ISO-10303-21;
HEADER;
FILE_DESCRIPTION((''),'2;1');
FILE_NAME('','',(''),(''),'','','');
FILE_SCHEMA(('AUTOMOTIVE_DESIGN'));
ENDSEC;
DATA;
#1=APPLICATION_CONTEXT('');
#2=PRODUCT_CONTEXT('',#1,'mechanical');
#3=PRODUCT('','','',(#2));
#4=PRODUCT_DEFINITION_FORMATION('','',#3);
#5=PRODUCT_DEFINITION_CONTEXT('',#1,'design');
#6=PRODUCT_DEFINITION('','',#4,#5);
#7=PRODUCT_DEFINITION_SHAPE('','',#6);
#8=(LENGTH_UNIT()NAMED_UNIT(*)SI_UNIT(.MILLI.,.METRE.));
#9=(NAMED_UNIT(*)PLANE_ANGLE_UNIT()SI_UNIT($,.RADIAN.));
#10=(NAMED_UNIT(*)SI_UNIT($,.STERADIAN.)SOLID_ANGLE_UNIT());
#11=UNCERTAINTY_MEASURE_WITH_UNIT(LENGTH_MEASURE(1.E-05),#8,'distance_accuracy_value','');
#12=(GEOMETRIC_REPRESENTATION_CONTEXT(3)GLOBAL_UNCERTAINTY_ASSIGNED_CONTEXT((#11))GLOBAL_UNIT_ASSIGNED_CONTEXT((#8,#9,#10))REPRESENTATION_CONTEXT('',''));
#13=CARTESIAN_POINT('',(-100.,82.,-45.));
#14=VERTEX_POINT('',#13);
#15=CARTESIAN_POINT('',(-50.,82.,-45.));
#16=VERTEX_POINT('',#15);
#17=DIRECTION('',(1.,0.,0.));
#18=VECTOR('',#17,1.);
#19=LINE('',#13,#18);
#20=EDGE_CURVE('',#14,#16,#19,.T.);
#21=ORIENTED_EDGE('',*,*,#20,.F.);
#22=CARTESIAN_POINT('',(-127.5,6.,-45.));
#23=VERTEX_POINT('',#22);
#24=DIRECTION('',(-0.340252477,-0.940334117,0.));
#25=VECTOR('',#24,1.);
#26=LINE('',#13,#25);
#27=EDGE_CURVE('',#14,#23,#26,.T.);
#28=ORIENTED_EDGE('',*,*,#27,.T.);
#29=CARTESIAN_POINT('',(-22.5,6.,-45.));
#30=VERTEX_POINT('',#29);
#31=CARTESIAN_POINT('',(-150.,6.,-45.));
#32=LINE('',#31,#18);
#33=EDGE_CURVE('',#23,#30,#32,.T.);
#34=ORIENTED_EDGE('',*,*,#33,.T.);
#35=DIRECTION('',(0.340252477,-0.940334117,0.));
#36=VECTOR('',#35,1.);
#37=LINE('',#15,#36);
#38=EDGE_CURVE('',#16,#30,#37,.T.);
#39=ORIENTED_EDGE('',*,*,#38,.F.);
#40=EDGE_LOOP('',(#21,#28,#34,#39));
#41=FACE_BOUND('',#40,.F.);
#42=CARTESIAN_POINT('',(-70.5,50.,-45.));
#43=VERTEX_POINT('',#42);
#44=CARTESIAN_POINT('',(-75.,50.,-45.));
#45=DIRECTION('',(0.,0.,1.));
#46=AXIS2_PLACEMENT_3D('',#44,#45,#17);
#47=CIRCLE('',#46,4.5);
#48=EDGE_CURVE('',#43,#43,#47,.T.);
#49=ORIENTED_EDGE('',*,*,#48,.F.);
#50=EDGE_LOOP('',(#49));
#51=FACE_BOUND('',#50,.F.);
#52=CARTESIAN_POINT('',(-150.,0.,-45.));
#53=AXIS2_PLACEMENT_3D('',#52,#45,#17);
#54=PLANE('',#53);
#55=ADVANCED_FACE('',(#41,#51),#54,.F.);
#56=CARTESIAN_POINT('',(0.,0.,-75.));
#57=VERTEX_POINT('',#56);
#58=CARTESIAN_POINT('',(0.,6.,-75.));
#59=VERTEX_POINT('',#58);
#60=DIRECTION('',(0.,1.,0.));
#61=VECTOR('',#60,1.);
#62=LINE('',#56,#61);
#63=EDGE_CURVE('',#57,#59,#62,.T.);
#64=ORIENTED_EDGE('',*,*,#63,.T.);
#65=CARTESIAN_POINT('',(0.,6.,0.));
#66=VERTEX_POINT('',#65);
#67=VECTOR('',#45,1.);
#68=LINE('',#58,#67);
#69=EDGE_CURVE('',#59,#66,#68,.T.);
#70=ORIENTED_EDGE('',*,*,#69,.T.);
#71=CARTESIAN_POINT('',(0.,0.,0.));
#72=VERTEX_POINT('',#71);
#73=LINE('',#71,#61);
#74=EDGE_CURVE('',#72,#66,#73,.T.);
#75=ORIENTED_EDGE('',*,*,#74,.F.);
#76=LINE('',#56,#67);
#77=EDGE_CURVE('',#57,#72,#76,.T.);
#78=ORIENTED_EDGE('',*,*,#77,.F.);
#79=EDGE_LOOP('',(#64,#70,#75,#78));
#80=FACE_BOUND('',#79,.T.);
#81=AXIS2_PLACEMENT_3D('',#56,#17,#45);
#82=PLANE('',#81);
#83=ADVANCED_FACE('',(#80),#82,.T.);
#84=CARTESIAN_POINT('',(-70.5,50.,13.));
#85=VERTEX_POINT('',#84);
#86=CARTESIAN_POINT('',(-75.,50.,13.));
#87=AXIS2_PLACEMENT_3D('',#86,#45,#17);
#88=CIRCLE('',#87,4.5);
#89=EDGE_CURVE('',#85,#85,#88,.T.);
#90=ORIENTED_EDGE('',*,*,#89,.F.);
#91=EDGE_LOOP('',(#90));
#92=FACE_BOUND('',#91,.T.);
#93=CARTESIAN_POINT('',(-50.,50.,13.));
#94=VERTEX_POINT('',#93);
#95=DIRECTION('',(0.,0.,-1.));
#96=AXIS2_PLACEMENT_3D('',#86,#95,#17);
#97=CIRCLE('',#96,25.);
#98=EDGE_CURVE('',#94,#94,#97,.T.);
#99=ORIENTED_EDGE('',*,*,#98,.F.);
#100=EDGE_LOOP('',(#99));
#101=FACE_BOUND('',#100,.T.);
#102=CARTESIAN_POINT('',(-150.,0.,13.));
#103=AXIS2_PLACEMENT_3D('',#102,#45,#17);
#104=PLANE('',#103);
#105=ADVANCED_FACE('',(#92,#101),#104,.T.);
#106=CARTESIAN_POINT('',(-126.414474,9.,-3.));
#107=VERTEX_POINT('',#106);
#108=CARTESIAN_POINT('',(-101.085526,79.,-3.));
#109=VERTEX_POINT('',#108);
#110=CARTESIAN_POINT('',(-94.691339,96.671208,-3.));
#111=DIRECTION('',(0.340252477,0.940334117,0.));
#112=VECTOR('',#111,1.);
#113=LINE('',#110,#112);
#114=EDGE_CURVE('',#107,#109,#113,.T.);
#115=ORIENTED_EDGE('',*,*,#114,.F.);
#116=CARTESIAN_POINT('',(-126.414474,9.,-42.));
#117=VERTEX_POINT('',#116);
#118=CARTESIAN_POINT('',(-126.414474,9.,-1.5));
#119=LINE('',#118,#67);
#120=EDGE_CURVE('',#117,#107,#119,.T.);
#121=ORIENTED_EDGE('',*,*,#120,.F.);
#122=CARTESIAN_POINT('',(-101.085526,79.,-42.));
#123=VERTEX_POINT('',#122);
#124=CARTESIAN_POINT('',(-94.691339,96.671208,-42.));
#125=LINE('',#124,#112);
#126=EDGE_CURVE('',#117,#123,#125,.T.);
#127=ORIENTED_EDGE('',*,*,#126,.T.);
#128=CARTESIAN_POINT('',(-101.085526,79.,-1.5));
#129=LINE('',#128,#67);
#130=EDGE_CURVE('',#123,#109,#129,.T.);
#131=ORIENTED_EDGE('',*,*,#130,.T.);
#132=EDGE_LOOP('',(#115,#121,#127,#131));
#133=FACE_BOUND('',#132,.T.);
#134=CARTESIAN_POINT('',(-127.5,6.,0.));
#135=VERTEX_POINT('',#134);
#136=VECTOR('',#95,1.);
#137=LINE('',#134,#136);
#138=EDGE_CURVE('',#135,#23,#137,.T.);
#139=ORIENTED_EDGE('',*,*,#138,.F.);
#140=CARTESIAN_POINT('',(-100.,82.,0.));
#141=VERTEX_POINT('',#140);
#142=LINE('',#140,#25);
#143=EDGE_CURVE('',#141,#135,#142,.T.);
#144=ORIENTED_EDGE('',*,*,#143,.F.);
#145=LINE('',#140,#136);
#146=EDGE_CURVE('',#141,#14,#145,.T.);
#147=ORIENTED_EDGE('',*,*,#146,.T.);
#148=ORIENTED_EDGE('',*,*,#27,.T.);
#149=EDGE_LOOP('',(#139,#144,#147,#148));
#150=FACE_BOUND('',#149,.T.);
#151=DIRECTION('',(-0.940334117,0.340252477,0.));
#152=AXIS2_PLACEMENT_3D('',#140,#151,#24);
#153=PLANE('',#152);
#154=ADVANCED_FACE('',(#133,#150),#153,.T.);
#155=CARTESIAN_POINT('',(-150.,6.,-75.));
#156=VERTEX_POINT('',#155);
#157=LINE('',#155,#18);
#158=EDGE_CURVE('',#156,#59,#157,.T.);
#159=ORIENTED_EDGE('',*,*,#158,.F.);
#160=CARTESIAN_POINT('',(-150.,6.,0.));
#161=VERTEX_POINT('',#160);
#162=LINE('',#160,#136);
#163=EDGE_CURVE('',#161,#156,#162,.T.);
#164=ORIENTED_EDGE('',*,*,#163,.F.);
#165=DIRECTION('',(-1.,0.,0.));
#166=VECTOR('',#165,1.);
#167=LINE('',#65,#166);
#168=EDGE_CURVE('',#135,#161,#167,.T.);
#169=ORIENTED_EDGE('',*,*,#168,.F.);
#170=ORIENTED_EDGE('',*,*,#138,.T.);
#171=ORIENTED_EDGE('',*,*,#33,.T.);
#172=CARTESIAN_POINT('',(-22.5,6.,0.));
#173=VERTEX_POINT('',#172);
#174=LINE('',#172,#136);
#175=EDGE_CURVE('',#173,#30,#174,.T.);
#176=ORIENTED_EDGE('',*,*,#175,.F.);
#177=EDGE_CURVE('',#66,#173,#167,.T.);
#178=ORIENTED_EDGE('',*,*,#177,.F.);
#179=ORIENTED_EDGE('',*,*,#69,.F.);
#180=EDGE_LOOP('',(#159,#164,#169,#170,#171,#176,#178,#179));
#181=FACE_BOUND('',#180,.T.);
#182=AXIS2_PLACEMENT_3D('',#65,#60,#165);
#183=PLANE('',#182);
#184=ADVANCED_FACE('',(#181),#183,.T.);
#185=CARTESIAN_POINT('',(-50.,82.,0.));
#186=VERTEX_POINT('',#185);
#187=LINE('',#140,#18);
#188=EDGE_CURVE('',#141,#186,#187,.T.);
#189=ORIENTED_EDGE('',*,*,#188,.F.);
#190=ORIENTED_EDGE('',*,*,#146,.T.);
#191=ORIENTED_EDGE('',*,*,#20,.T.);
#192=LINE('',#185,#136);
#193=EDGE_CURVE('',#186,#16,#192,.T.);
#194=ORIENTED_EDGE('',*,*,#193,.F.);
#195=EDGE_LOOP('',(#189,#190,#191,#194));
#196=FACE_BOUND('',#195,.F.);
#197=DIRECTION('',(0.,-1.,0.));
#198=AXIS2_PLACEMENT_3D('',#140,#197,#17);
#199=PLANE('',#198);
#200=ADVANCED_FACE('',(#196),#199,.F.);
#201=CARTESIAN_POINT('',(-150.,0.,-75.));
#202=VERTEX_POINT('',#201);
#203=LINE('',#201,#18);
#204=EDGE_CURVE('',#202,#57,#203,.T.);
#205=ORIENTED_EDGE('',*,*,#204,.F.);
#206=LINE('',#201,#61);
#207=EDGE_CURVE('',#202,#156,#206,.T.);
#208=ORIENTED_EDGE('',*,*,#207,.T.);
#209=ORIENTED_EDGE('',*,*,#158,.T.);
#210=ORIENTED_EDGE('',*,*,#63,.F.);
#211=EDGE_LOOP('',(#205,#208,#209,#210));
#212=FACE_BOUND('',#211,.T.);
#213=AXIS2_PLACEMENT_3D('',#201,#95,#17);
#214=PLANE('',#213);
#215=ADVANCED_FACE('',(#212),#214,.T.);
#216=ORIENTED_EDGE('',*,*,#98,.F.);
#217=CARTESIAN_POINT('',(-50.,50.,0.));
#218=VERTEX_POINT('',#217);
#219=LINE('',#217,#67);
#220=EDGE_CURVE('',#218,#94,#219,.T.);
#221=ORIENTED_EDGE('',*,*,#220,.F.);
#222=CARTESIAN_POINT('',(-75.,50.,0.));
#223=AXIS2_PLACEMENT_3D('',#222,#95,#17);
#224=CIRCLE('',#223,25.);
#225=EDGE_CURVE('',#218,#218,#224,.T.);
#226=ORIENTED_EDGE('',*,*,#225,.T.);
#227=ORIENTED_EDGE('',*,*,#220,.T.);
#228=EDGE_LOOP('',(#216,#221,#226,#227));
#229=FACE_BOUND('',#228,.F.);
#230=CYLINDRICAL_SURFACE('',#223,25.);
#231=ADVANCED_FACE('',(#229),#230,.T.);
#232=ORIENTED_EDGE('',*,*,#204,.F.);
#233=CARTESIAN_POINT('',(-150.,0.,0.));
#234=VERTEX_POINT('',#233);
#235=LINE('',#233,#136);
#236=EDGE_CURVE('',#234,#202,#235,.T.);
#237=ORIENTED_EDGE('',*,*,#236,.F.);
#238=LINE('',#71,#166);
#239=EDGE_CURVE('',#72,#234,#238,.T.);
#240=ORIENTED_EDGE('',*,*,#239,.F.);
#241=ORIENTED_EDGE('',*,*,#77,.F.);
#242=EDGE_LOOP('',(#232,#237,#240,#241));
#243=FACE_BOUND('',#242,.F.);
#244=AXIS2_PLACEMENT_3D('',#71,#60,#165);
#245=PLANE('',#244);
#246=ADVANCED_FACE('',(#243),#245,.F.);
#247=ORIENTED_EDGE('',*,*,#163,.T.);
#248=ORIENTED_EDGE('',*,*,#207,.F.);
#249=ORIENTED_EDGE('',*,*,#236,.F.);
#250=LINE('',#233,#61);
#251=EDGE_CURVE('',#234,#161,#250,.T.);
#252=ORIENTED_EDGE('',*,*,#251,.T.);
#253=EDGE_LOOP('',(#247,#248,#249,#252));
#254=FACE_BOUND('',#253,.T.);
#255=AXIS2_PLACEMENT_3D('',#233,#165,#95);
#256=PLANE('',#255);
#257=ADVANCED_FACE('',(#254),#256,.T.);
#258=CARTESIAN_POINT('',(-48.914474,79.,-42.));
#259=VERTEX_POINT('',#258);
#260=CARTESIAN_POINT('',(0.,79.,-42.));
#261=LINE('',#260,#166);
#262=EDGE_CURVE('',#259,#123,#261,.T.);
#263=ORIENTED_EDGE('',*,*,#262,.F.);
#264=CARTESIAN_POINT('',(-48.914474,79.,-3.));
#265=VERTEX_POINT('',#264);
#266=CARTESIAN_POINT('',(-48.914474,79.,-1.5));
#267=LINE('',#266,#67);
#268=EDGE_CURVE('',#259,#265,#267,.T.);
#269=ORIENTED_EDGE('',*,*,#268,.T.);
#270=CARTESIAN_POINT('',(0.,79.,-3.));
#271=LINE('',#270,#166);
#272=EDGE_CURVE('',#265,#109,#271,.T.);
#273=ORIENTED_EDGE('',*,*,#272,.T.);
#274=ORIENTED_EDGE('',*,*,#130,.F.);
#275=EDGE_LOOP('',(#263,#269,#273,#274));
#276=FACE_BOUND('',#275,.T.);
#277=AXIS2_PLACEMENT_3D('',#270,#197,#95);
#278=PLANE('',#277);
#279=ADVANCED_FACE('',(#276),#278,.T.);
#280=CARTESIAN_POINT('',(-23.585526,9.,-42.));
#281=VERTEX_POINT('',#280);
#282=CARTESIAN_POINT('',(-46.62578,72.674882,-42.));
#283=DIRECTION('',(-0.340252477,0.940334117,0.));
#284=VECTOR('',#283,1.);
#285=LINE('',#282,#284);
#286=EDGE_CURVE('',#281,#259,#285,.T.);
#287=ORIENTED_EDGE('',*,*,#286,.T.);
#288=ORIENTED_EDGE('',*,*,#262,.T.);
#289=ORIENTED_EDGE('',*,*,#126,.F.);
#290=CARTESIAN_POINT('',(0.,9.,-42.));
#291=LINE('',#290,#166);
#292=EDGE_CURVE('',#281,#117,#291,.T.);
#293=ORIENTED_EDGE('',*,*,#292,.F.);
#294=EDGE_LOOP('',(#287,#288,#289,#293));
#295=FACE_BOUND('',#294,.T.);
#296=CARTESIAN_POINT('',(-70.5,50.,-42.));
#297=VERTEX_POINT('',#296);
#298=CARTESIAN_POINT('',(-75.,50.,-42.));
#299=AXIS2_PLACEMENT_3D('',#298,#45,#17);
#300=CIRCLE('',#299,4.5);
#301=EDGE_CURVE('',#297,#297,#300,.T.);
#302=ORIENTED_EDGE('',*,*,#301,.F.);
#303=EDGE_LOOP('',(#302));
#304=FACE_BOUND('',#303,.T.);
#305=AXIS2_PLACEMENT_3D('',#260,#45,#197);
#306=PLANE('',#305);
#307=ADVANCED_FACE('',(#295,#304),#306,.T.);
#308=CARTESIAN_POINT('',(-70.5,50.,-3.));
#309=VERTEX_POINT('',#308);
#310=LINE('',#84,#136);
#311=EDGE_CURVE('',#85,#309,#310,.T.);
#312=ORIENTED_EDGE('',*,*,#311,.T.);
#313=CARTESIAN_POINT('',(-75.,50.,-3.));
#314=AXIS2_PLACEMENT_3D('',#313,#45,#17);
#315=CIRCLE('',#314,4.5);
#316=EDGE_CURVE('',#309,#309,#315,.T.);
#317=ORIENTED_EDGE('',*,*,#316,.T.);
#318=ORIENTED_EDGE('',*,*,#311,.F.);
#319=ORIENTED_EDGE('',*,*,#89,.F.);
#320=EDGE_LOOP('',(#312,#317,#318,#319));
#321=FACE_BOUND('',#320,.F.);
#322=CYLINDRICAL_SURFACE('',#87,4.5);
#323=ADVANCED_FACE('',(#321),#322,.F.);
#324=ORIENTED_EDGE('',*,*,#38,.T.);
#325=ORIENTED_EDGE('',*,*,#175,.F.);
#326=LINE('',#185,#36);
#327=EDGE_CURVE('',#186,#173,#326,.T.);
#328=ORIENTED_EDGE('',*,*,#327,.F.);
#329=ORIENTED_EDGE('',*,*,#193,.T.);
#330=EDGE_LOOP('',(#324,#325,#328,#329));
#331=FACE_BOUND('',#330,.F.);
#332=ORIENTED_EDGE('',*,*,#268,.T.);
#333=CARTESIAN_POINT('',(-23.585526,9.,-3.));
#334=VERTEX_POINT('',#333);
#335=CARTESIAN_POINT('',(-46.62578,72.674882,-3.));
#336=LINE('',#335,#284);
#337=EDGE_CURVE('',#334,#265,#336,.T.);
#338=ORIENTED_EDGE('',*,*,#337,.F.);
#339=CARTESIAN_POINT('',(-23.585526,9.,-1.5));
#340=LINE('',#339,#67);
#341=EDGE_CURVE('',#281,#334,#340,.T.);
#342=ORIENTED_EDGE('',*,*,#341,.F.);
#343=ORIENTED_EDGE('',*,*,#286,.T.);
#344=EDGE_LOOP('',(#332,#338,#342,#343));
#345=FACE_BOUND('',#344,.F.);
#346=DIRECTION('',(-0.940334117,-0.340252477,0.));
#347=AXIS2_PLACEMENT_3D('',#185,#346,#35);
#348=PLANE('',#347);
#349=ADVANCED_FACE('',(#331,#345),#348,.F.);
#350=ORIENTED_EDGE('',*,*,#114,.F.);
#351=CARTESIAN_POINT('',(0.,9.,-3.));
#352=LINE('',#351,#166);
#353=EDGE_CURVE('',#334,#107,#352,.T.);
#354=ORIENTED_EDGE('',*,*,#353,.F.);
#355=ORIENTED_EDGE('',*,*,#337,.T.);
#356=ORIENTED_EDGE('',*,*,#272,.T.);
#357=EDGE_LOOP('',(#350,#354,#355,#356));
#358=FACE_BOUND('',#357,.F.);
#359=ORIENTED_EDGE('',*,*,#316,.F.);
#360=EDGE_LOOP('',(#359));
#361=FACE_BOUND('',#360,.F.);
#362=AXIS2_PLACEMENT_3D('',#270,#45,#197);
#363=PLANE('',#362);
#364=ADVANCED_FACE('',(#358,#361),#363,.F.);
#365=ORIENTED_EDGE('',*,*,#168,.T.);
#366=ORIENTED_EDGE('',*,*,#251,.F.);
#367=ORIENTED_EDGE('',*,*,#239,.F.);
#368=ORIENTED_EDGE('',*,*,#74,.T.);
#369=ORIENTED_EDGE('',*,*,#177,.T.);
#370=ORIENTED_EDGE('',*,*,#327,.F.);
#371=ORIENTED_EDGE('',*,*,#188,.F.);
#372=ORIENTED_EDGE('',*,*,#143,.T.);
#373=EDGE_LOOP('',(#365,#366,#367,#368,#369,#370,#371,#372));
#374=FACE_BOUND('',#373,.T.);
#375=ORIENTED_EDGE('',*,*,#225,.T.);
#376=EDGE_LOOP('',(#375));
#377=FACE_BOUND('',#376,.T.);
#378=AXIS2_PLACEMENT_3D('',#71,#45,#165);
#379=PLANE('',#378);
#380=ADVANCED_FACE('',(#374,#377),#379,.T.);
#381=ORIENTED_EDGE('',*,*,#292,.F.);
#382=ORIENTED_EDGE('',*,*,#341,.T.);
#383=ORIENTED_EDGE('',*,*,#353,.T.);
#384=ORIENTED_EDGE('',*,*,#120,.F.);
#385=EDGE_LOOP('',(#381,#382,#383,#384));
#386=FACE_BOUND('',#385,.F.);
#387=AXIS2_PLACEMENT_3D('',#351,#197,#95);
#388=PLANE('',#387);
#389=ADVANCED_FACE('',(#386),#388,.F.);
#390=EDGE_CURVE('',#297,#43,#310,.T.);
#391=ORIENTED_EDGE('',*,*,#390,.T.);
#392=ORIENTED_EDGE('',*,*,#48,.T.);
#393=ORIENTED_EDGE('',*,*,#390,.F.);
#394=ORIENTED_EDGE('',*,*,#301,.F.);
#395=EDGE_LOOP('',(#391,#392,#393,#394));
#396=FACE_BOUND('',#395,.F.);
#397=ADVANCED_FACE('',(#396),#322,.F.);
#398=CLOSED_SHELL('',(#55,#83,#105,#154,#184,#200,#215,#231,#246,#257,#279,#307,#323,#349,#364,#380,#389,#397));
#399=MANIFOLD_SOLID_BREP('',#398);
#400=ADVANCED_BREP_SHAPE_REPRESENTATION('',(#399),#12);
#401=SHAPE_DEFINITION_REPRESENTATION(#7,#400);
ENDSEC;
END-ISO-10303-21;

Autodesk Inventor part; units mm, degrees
ref_plane "YZ Plane" through (0, 0, 0) normal (1, 0, 0) x (0, 1, 0)
ref_plane "XZ Plane" through (0, 0, 0) normal (0, 1, 0) x (-1, 0, 0)
ref_plane "XY Plane" through (0, 0, 0) normal (0, 0, 1) x (1, 0, 0)
sketch "Sketch1" plane through (0, 0, 0) normal (0, 1, 0) x (-1, 0, 0)
  line L0 (0, 0) -> (150, 0)
  line L1 (150, 0) -> (150, -75)
  line L2 (150, -75) -> (0, -75)
  line L3 (0, -75) -> (0, 0)
  dimension "d0" = 150
  dimension "d1" = 75
extrude "Extrusion1" add sketch "Sketch1" along normal blind 6
sketch "Sketch6" plane through (-150, 0, 0) normal (0, 0, 1) x (1, 0, 0)
  line L0 (0, 6) -> (150, 6) projected
  line L1 (50, 82) -> (22.5, 6)
  line L2 (100, 82) -> (127.5, 6)
  line L3 (50, 82) -> (100, 82)
  line L4 (22.5, 6) -> (127.5, 6)
  line L5 (22.5, 6) -> (127.5, 6)
  line L6 (100, 82) -> (50, 82)
  line L7 (50, 82) -> (22.5, 6)
  line L8 (100, 82) -> (127.5, 6)
extrude "Extrusion2" add sketch "Sketch6" against normal blind 45
sketch "Sketch7" plane through (-150, 0, 0) normal (0, 0, 1) x (1, 0, 0)
  line L0 (150, 0) -> (0, 0) projected
  line L1 (75, 0) -> (75, 50)
  circle A0 centre (75, 50) radius 25
  dimension "d14" = 50
  dimension "d15" = 50
extrude "Extrusion3" add sketch "Sketch7" along normal blind 13
sketch "Sketch9" plane through (0, 0, 0) normal (1, 0, 0) x (0, 0, -1)
  line L0 (0, 6) -> (75, 6) projected
  line L1 (45, 82) -> (0, 82)
  line L2 (0, 82) -> (45, 82) projected
  line L3 (0, 6) -> (0, 9)
  line L4 (0, 6) -> (0, 82) projected
  line L5 (0, 9) -> (45, 9)
  line L6 (45, 6) -> (45, 82) projected
  line L7 (0, 82) -> (3, 82)
  line L8 (3, 82) -> (3, 9)
  line L9 (0, 82) -> (0, 79)
  line L10 (0, 79) -> (45, 79)
  line L11 (45, 79) -> (42, 79)
  line L12 (42, 79) -> (42, 6)
  line L13 (3, 9) -> (3, 79)
  line L14 (3, 79) -> (42, 79)
  line L15 (42, 79) -> (42, 9)
  line L16 (42, 9) -> (3, 9)
  dimension "d18" = 3
  dimension "d19" = 3
  dimension "d20" = 3
  dimension "d21" = 3
extrude "Extrusion4" cut sketch "Sketch9" against normal blind 150 contours L5 L8 L10 L12
sketch "Sketch10" plane through (-75, 50, 13) normal (0, 0, 1) x (1, 0, 0)
  circle A0 centre (0, 0) radius 25 projected
  circle A1 centre (0, 0) radius 4.5
  point P0 (75, -50)
  dimension "d24" = 9
extrude "Extrusion5" cut sketch "Sketch10" against normal blind 150 contours A1
properties part number "Casing"
